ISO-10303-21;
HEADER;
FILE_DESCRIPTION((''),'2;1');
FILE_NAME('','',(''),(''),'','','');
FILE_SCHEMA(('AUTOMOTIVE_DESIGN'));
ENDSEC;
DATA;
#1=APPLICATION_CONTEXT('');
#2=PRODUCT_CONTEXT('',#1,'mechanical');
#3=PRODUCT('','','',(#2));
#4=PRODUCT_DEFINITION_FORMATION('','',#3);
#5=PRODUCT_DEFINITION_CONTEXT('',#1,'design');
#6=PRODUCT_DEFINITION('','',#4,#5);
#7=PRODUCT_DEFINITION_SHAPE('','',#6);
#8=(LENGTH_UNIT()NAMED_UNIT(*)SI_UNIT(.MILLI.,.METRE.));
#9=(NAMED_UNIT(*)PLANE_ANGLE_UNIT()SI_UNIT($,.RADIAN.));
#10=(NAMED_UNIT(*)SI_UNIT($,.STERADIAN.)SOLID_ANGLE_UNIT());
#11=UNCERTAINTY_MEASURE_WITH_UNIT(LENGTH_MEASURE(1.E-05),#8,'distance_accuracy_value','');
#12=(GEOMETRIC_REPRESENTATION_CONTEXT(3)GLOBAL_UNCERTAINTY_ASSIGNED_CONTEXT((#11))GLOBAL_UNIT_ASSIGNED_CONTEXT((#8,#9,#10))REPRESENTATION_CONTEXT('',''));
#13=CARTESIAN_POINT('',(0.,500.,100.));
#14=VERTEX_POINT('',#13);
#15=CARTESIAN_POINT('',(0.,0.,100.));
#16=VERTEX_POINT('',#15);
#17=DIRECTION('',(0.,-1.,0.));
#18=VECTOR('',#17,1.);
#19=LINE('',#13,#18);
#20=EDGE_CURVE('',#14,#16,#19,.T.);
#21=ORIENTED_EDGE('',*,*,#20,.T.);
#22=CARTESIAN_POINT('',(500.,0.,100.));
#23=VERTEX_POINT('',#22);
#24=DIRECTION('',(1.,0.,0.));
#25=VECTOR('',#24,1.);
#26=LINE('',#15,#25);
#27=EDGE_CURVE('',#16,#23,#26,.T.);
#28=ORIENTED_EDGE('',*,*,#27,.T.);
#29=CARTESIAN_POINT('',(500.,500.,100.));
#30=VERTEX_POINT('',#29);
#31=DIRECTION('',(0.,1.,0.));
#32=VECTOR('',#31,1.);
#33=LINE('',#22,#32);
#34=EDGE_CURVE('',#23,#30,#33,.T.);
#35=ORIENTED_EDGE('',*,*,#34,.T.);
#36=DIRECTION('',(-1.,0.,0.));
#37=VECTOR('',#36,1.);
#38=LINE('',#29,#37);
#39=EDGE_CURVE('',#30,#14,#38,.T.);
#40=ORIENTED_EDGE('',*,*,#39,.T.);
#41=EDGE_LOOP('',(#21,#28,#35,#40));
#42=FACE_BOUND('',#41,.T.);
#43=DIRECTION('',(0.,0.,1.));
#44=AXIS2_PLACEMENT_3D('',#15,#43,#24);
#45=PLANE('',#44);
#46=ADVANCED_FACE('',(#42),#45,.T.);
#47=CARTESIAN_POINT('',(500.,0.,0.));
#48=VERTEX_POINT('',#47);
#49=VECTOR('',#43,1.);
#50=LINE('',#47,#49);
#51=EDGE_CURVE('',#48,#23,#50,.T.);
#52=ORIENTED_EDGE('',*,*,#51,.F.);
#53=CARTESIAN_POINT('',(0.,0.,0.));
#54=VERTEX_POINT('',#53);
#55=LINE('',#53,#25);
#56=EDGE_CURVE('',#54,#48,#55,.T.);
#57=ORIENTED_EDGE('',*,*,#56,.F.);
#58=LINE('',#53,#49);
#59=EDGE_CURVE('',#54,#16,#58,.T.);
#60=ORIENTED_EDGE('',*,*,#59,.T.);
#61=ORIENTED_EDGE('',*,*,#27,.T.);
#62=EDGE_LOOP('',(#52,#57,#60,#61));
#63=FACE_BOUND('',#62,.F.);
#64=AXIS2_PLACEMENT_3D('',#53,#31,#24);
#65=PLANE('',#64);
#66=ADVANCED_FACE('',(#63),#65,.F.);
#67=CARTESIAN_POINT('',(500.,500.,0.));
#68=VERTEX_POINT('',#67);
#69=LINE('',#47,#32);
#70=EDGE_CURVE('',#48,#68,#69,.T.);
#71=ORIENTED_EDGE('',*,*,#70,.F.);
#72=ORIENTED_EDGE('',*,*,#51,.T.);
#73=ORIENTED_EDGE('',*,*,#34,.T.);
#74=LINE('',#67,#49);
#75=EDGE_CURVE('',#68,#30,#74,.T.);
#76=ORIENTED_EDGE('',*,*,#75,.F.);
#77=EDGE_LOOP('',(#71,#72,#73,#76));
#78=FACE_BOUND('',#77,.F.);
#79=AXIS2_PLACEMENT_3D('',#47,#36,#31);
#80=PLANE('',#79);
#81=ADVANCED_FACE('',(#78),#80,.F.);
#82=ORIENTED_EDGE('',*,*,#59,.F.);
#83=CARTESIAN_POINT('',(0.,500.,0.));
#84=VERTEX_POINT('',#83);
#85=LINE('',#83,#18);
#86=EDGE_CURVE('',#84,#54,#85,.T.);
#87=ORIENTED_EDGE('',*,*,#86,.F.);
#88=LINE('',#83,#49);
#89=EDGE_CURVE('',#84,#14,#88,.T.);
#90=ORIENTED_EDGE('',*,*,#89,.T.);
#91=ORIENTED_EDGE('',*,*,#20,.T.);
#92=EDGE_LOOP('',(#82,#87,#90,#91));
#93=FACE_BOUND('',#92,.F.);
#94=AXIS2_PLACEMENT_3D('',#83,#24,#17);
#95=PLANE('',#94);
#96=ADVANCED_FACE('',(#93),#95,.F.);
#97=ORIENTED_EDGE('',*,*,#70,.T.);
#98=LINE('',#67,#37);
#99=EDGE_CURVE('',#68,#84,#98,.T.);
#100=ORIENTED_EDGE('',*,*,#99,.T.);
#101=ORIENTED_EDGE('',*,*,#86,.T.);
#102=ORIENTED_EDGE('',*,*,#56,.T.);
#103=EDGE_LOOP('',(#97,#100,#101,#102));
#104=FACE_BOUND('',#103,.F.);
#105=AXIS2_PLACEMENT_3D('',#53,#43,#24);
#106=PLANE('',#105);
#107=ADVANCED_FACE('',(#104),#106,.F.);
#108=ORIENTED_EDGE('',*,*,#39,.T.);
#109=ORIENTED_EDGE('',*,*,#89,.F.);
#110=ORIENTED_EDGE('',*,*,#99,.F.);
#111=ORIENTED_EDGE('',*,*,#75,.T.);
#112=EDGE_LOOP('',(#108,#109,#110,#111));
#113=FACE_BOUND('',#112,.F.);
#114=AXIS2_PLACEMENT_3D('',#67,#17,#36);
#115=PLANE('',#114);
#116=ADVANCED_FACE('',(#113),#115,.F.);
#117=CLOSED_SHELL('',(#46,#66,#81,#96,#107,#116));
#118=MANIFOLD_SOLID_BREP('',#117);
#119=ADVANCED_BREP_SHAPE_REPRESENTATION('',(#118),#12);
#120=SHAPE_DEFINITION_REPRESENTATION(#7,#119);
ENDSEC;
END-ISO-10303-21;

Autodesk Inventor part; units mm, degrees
ref_plane "YZ Plane" through (0, 0, 0) normal (1, 0, 0) x (0, 1, 0)
ref_plane "XZ Plane" through (0, 0, 0) normal (0, 1, 0) x (-1, 0, 0)
ref_plane "XY Plane" through (0, 0, 0) normal (0, 0, 1) x (1, 0, 0)
sketch "Sketch1" plane through (0, 0, 0) normal (0, 0, 1) x (1, 0, 0)
  line L0 (0, 0) -> (500, 0)
  line L1 (500, 0) -> (500, 500)
  line L2 (500, 500) -> (0, 500)
  line L3 (0, 500) -> (0, 0)
  line L4 (500, 250) -> (0, 250) construction
  line L5 (250, 500) -> (250, 0) construction
  dimension "d0" = 500
  dimension "d1" = 500
extrude "Extrusion1" add sketch "Sketch1" along normal blind 100
sketch "Sketch5" plane through (0, 500, 0) normal (0, 1, 0) x (1, 0, 0)
  line L0 (500, 0) -> (500, -100) projected
  line L1 (500, 0) -> (500, -50)
  line L2 (500, -50) -> (450, -50)
  line L3 (450, -50) -> (400, -50)
  line L4 (400, -50) -> (350, -50)
  line L5 (350, -50) -> (300, -50)
  line L6 (300, -50) -> (250, -50)
  line L7 (250, -50) -> (200, -50)
  line L8 (200, -50) -> (150, -50)
  line L9 (150, -50) -> (0, -50)
  line L10 (0, 0) -> (0, -100) projected
ref_plane "Work Plane3" through (0, 0, 100) normal (0, 0, -1) x (-1, 0, 0)
sketch "Sketch13" plane through (0, 0, 100) normal (0, 0, -1) x (-1, 0, 0)
  line L0 (0, 500) -> (0, 0) projected
  line L1 (0, 0) -> (-500, 0) projected
  line L2 (0, 0) -> (-250, 0)
  line L3 (-250, 0) -> (-250, 250) construction
  circle A0 centre (-250, 250) radius 27.8669 construction
  dimension "d48" = 250
  dimension "d49" = 250
properties part number "BaseMini" material "Concrete"
